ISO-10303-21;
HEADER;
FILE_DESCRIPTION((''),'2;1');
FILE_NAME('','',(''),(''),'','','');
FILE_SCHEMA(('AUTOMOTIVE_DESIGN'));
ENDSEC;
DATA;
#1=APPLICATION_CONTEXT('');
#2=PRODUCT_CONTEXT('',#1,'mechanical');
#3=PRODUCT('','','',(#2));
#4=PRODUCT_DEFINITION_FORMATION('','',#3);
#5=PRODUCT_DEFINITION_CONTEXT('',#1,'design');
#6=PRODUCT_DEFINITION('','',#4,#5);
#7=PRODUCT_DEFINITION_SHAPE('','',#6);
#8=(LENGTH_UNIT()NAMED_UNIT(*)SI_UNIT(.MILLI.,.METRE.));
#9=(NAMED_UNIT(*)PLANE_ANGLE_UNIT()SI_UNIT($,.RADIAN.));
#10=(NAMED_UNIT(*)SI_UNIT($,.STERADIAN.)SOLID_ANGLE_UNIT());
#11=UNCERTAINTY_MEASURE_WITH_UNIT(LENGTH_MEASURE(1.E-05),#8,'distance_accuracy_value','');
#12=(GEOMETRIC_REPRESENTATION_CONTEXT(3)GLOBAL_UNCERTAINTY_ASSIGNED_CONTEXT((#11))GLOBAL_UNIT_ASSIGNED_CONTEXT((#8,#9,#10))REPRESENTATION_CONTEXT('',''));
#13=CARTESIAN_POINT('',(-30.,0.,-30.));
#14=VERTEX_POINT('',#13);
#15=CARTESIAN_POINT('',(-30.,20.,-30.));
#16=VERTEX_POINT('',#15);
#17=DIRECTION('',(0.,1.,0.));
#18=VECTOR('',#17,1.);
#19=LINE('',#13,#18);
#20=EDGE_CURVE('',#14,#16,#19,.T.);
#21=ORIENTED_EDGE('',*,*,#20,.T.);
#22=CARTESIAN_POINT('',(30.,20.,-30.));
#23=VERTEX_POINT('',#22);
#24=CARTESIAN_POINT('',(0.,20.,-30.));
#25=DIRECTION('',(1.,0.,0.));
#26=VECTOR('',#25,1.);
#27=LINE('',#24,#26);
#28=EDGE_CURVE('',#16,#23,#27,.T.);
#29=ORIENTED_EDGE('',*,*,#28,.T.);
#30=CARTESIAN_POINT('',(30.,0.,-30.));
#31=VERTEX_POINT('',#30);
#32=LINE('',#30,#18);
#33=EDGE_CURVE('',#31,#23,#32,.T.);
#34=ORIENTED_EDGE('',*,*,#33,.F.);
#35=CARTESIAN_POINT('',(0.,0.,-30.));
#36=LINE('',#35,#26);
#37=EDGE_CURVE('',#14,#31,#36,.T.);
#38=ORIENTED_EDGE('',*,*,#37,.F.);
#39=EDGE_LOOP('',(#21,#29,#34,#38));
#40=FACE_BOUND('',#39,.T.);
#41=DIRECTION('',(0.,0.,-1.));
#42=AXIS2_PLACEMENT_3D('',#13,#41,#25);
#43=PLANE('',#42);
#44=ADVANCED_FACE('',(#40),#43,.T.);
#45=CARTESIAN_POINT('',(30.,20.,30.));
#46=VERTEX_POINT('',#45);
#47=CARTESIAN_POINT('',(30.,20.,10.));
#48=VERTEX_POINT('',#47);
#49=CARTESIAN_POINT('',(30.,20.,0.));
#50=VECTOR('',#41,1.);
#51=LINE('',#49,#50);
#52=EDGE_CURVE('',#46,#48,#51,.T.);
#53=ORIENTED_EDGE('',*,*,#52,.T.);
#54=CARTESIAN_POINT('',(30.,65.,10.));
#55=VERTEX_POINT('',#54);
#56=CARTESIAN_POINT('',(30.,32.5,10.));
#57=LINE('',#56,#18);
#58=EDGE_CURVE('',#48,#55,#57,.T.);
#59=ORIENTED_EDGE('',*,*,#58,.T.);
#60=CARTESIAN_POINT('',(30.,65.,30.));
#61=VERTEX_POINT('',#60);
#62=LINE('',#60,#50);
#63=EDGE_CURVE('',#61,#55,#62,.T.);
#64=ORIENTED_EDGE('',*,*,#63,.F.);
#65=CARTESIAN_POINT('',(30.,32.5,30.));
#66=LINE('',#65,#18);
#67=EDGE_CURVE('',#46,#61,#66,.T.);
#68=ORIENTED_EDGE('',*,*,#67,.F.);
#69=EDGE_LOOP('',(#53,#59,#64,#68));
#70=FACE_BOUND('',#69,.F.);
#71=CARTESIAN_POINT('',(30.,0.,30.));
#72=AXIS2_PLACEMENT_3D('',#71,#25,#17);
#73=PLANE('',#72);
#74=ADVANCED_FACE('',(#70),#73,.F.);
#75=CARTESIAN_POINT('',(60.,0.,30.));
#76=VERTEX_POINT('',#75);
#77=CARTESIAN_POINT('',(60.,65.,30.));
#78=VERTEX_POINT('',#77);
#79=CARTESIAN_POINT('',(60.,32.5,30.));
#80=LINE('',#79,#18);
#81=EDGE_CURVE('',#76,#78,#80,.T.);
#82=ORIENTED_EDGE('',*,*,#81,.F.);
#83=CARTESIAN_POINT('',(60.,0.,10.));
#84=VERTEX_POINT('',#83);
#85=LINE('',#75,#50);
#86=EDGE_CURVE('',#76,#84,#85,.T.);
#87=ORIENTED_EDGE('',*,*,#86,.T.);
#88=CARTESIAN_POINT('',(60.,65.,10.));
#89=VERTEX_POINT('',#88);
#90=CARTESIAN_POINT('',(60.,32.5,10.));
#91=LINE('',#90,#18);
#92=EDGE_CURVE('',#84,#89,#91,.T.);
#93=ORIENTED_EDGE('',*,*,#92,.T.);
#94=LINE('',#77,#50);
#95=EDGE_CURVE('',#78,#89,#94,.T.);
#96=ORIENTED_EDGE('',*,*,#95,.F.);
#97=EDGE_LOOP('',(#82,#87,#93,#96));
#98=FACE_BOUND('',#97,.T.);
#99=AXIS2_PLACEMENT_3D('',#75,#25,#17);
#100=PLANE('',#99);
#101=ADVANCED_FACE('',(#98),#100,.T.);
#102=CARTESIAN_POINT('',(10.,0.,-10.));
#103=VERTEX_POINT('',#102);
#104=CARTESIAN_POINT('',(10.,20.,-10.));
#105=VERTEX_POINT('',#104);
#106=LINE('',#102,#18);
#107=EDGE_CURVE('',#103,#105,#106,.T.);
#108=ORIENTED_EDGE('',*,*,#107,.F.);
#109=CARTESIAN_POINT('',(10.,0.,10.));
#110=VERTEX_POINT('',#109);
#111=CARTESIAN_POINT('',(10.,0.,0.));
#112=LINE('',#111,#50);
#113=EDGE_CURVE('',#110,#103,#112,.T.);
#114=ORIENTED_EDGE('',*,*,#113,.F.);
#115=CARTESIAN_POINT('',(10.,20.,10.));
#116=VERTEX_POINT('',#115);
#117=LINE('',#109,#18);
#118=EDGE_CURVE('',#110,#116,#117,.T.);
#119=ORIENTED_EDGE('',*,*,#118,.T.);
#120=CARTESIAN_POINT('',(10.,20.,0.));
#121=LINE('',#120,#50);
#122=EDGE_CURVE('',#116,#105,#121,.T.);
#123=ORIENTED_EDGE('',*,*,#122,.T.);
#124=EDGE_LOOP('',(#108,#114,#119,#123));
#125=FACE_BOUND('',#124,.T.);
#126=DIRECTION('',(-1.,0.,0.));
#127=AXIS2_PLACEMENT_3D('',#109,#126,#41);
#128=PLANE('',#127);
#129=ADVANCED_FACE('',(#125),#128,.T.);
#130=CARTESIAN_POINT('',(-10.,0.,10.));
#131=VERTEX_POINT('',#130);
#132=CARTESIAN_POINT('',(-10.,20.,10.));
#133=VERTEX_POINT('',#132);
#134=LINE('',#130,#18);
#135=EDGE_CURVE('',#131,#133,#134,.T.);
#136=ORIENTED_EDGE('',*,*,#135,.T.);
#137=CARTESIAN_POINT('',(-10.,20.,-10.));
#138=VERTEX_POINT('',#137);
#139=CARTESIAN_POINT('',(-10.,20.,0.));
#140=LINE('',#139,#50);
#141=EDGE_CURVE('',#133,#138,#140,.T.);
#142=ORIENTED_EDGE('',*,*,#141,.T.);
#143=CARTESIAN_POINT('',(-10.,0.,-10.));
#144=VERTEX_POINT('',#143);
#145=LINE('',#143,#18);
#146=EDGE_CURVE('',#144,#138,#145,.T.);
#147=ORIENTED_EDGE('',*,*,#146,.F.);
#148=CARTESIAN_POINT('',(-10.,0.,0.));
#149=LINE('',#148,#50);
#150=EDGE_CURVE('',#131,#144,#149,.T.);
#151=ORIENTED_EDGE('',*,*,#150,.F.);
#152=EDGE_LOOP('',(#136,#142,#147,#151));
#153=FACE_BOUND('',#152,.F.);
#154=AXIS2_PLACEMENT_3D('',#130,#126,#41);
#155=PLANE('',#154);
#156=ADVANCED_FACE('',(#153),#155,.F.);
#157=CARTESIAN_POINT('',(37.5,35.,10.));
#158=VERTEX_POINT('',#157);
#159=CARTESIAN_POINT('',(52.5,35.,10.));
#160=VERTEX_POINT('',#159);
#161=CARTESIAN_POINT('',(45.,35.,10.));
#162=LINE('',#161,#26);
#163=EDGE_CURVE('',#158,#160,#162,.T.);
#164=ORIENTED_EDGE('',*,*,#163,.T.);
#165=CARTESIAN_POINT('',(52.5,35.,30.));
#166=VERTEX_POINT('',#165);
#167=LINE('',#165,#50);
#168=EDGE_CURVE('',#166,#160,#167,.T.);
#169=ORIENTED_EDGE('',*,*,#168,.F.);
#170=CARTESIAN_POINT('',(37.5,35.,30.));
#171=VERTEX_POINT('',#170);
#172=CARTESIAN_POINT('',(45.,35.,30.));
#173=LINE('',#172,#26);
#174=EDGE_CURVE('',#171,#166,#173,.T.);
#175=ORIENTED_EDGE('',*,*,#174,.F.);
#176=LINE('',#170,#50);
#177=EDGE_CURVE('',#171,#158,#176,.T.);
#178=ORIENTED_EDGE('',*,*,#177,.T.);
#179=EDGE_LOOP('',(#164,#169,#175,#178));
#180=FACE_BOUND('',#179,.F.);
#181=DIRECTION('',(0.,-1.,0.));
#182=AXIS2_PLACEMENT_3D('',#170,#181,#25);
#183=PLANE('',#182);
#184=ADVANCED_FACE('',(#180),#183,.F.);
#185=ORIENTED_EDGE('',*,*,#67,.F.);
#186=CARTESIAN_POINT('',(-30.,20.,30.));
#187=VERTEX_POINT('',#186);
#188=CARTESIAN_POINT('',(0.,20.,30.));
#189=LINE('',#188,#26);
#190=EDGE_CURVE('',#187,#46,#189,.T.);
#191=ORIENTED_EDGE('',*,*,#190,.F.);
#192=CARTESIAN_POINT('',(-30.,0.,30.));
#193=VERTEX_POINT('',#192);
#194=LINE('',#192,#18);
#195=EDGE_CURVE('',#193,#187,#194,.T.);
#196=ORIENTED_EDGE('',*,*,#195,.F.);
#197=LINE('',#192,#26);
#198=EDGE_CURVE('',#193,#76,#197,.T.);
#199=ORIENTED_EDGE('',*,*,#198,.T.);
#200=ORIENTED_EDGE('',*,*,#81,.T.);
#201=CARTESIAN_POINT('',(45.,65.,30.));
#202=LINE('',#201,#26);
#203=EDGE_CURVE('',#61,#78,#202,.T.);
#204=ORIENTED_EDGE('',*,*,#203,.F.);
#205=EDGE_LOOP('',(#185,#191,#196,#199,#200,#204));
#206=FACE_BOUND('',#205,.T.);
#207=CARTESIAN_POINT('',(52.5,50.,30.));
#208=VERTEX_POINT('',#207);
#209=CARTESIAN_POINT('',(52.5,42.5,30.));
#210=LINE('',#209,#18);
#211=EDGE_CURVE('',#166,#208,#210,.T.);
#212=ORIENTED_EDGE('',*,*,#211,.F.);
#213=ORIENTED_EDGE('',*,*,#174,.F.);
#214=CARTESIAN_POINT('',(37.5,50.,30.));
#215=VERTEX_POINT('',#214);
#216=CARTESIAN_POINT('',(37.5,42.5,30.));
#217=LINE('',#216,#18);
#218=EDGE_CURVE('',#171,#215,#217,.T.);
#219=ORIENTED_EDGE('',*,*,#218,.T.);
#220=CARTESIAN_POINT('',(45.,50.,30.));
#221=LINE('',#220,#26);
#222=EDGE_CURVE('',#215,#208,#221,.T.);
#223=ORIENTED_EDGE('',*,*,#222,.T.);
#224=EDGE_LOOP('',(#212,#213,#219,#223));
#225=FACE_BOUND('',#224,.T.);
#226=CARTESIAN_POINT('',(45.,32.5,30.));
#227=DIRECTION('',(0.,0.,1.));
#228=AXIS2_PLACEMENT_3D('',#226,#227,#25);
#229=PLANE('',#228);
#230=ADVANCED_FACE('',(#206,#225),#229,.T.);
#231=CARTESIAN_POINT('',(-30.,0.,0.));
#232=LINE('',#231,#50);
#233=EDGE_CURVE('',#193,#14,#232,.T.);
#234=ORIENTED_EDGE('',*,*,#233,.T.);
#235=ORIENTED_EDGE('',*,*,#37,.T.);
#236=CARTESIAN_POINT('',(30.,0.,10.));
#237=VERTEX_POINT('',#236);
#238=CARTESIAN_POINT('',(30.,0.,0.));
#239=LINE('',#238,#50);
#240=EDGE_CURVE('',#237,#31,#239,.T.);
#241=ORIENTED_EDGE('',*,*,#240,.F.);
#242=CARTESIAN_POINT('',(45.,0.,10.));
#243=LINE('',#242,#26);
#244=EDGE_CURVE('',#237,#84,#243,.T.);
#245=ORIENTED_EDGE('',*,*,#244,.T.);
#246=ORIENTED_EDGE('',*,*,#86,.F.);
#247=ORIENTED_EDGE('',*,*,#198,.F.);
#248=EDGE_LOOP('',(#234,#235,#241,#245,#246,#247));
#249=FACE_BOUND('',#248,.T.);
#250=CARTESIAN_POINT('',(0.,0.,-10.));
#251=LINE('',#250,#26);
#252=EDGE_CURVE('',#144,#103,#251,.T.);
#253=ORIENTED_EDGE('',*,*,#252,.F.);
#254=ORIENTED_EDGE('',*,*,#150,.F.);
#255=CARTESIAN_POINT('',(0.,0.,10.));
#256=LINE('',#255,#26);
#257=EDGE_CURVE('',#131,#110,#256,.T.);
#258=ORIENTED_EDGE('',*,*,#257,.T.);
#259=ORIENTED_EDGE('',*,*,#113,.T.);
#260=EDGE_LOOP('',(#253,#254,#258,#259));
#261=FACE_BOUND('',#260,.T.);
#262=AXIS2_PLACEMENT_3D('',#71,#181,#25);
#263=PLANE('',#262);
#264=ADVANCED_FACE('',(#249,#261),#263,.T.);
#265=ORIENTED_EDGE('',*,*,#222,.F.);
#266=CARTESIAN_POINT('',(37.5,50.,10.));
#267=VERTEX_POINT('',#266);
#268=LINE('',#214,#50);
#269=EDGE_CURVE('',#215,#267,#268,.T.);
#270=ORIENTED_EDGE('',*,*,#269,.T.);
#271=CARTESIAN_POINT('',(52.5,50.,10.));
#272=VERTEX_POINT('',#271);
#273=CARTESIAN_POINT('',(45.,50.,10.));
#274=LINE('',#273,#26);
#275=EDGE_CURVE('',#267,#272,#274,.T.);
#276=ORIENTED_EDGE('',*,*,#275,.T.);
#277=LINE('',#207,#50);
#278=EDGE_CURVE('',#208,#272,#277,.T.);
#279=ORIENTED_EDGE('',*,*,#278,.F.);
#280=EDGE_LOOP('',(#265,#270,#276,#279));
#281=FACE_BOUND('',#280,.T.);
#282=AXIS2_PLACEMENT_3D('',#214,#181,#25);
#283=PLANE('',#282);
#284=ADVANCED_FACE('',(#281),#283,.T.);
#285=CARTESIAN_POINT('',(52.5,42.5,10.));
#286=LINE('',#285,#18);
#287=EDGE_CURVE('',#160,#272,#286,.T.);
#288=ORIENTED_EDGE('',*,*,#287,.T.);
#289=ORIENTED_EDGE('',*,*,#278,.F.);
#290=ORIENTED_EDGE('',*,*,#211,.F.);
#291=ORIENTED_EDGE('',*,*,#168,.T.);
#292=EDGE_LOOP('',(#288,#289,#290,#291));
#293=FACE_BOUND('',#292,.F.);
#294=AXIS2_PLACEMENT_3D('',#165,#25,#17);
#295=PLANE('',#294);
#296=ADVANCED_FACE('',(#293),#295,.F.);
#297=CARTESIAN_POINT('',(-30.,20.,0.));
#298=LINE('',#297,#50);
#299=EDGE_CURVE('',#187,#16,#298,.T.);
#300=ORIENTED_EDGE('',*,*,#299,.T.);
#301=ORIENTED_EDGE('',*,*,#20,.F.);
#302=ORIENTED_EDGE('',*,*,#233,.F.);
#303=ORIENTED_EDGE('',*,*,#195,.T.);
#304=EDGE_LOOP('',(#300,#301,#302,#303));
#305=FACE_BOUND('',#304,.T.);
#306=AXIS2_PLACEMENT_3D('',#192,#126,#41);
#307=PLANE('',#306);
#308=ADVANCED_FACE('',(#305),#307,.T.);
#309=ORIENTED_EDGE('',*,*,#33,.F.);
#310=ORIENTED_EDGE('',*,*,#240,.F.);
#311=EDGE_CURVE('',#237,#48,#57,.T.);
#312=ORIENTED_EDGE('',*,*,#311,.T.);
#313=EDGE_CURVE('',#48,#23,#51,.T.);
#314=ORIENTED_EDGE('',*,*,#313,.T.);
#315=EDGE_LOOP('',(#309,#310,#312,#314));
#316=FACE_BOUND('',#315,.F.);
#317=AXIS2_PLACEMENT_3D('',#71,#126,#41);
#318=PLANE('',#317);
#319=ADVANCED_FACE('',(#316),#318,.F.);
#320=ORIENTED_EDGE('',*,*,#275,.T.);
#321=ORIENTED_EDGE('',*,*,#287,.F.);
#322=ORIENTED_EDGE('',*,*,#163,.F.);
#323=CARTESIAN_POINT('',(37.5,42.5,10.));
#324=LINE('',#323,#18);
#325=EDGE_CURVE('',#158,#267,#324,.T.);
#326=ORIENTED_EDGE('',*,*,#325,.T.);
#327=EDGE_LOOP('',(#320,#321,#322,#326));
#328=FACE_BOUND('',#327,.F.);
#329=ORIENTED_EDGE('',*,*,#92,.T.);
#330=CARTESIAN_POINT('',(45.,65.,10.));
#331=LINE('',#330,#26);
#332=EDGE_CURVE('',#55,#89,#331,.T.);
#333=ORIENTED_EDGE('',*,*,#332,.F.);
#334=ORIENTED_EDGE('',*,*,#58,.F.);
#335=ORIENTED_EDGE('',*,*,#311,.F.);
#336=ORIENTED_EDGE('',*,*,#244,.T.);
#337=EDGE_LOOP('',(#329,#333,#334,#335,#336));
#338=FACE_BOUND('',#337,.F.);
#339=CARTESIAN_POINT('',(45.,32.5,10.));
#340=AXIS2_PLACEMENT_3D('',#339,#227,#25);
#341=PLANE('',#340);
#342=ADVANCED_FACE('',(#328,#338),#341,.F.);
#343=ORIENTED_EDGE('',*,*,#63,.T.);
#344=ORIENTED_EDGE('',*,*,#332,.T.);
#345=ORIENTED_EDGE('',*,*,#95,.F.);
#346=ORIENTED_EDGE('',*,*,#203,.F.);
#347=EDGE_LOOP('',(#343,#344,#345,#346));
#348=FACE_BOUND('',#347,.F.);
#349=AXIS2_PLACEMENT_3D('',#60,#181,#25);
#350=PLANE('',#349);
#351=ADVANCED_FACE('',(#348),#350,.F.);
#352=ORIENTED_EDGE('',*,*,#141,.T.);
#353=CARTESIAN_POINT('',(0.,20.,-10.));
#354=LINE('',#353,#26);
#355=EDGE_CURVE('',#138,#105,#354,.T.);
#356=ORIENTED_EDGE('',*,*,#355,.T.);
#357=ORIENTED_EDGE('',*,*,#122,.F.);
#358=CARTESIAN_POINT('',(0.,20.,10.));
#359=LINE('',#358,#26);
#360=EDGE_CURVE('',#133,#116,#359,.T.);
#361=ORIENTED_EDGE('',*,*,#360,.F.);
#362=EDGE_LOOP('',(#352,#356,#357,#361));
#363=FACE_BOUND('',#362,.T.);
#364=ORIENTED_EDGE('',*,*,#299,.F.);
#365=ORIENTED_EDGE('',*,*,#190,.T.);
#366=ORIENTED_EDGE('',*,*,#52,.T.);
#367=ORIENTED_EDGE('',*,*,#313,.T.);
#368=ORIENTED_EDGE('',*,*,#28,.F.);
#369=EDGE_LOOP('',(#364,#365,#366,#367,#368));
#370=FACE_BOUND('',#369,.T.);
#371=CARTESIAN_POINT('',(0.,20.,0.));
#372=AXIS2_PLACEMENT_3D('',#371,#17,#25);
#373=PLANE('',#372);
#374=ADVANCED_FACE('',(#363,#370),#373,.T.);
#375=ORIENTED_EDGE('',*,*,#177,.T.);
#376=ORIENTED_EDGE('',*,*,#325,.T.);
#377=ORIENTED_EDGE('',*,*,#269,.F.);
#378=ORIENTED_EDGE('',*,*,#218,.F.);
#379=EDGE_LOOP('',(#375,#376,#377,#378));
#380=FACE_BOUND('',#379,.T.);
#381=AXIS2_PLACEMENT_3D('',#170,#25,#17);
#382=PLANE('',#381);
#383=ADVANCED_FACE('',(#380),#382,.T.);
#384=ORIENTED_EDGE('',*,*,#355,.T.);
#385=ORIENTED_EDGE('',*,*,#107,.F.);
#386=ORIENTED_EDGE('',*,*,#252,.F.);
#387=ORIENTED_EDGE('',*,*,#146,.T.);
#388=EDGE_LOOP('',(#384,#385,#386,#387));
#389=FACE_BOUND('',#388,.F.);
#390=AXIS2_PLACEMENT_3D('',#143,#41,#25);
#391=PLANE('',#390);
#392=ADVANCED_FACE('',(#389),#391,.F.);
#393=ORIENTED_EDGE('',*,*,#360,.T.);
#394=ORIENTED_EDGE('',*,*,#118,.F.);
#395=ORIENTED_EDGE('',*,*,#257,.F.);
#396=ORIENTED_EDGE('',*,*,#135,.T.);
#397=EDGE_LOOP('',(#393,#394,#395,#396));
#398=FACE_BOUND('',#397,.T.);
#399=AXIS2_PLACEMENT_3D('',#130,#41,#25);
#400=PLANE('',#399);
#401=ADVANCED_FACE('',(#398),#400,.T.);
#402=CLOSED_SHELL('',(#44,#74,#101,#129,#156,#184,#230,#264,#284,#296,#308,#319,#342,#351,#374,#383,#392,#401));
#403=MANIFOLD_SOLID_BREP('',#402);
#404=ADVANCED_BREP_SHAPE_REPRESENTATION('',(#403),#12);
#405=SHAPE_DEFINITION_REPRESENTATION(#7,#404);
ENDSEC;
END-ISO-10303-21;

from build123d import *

# Parameters (mm, degrees)
SKETCH1_W           = 60
SKETCH1_H           = 60
SKETCH1_W_2         = 20
SKETCH1_H_2         = 20
BOSS_EXTRUDE1_DEPTH = 20
SKETCH2_W           = 30
SKETCH2_H           = 65
SKETCH2_W_2         = 15
SKETCH2_H_2         = 15
BOSS_EXTRUDE2_DEPTH = 20


with BuildPart() as part:
    # Sketch1 → Boss-Extrude1 (new body)
    with BuildSketch(Plane(origin=(0, 0, 0), x_dir=(1, 0, 0), z_dir=(0, 1, 0))):
        Rectangle(SKETCH1_W, SKETCH1_H)
        Rectangle(SKETCH1_W_2, SKETCH1_H_2, mode=Mode.SUBTRACT)
    extrude(amount=BOSS_EXTRUDE1_DEPTH)

    # Sketch2 → Boss-Extrude2 (add)
    with BuildSketch(Plane.XY.offset(30)):
        with Locations((45, 32.5)):
            Rectangle(SKETCH2_W, SKETCH2_H)
        with Locations((45, 42.5)):
            Rectangle(SKETCH2_W_2, SKETCH2_H_2, mode=Mode.SUBTRACT)
    extrude(amount=-BOSS_EXTRUDE2_DEPTH)


solid = part.part
